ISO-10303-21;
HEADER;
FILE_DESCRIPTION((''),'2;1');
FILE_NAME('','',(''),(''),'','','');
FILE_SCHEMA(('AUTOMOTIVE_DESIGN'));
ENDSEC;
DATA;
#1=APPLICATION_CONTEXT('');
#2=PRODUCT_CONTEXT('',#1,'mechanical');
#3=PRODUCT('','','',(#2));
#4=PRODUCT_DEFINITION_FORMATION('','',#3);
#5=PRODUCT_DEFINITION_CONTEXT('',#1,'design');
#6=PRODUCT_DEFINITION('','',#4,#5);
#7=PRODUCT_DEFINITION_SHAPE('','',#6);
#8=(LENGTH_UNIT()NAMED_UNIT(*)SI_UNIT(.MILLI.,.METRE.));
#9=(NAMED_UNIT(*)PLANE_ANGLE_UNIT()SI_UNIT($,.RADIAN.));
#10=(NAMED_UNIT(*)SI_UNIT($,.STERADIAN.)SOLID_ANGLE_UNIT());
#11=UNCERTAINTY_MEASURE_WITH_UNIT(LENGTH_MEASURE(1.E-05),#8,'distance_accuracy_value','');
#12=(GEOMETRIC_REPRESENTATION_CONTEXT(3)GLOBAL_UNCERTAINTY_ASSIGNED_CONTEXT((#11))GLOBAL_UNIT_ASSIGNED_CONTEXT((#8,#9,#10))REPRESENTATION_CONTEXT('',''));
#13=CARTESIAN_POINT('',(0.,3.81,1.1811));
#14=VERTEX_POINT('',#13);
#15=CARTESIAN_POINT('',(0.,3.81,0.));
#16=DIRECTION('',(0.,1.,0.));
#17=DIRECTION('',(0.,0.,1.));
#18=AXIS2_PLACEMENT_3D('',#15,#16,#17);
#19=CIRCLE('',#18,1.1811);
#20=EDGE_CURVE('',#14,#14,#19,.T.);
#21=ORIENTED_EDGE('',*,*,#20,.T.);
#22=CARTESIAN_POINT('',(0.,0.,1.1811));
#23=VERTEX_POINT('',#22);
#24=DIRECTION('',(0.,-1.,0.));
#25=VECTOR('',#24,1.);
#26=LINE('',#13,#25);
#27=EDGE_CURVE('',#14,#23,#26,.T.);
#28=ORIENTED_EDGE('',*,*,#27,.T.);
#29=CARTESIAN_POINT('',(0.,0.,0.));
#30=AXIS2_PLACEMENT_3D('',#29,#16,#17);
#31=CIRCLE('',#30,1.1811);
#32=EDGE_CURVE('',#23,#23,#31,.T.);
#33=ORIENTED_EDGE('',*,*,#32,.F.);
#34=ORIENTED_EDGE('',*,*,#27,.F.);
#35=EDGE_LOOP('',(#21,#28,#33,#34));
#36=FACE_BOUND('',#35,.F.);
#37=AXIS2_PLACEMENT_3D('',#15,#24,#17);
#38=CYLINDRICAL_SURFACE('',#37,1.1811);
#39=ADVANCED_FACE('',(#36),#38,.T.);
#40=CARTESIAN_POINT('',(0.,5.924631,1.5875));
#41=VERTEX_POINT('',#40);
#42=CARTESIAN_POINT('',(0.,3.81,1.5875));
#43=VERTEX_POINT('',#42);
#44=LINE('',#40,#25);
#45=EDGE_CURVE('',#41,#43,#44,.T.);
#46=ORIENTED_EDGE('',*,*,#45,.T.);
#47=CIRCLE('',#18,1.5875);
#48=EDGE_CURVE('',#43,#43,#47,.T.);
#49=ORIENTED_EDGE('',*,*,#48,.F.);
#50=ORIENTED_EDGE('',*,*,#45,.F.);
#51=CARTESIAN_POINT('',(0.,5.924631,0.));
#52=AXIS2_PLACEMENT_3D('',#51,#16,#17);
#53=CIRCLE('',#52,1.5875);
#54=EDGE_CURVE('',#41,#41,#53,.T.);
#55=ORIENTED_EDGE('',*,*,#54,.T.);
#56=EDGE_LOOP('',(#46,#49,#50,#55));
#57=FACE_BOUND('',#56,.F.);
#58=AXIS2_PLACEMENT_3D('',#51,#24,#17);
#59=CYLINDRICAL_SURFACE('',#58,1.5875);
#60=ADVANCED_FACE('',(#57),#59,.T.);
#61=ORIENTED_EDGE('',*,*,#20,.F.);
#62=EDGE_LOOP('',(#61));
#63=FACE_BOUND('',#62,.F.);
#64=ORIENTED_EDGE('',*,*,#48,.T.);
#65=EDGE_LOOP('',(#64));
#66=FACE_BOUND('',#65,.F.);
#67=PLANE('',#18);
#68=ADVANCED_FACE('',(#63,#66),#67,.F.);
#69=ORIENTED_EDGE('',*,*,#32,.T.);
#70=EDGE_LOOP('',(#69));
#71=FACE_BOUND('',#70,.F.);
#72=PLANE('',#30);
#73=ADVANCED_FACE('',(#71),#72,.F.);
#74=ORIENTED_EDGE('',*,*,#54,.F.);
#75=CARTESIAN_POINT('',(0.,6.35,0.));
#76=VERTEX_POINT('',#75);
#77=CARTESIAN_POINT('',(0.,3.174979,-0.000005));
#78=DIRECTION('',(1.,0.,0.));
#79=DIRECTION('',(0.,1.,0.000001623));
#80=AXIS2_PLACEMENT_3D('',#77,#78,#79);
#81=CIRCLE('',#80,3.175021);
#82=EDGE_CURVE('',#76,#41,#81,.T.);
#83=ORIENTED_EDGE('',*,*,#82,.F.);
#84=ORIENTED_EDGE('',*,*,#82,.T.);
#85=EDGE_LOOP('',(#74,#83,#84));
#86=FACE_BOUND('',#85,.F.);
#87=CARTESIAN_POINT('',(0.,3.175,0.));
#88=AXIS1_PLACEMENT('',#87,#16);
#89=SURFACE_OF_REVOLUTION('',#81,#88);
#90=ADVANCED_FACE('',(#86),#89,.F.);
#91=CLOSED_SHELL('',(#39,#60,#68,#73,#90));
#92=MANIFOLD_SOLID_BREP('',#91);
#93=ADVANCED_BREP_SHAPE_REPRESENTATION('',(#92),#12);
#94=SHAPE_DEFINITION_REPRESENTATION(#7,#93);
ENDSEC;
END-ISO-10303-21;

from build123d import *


with BuildPart() as f1:
    # F0 (on Right) → F1 (revolve)
    with BuildSketch(Plane.YZ):
        with BuildLine():
            Line((0, 1.1811), (0, 0))
            Line((0, 0), (6.35, 0))
            ThreePointArc((6.35, 0), (6.241814, 0.82175), (5.924631, 1.5875))
            Line((5.924631, 1.5875), (3.81, 1.5875))
            Line((3.81, 1.5875), (3.81, 1.1811))
            Line((3.81, 1.1811), (0, 1.1811))
        make_face()
    revolve(axis=Axis((0, 3.175, 0), (0, 1, 0)))


solid = f1.part
